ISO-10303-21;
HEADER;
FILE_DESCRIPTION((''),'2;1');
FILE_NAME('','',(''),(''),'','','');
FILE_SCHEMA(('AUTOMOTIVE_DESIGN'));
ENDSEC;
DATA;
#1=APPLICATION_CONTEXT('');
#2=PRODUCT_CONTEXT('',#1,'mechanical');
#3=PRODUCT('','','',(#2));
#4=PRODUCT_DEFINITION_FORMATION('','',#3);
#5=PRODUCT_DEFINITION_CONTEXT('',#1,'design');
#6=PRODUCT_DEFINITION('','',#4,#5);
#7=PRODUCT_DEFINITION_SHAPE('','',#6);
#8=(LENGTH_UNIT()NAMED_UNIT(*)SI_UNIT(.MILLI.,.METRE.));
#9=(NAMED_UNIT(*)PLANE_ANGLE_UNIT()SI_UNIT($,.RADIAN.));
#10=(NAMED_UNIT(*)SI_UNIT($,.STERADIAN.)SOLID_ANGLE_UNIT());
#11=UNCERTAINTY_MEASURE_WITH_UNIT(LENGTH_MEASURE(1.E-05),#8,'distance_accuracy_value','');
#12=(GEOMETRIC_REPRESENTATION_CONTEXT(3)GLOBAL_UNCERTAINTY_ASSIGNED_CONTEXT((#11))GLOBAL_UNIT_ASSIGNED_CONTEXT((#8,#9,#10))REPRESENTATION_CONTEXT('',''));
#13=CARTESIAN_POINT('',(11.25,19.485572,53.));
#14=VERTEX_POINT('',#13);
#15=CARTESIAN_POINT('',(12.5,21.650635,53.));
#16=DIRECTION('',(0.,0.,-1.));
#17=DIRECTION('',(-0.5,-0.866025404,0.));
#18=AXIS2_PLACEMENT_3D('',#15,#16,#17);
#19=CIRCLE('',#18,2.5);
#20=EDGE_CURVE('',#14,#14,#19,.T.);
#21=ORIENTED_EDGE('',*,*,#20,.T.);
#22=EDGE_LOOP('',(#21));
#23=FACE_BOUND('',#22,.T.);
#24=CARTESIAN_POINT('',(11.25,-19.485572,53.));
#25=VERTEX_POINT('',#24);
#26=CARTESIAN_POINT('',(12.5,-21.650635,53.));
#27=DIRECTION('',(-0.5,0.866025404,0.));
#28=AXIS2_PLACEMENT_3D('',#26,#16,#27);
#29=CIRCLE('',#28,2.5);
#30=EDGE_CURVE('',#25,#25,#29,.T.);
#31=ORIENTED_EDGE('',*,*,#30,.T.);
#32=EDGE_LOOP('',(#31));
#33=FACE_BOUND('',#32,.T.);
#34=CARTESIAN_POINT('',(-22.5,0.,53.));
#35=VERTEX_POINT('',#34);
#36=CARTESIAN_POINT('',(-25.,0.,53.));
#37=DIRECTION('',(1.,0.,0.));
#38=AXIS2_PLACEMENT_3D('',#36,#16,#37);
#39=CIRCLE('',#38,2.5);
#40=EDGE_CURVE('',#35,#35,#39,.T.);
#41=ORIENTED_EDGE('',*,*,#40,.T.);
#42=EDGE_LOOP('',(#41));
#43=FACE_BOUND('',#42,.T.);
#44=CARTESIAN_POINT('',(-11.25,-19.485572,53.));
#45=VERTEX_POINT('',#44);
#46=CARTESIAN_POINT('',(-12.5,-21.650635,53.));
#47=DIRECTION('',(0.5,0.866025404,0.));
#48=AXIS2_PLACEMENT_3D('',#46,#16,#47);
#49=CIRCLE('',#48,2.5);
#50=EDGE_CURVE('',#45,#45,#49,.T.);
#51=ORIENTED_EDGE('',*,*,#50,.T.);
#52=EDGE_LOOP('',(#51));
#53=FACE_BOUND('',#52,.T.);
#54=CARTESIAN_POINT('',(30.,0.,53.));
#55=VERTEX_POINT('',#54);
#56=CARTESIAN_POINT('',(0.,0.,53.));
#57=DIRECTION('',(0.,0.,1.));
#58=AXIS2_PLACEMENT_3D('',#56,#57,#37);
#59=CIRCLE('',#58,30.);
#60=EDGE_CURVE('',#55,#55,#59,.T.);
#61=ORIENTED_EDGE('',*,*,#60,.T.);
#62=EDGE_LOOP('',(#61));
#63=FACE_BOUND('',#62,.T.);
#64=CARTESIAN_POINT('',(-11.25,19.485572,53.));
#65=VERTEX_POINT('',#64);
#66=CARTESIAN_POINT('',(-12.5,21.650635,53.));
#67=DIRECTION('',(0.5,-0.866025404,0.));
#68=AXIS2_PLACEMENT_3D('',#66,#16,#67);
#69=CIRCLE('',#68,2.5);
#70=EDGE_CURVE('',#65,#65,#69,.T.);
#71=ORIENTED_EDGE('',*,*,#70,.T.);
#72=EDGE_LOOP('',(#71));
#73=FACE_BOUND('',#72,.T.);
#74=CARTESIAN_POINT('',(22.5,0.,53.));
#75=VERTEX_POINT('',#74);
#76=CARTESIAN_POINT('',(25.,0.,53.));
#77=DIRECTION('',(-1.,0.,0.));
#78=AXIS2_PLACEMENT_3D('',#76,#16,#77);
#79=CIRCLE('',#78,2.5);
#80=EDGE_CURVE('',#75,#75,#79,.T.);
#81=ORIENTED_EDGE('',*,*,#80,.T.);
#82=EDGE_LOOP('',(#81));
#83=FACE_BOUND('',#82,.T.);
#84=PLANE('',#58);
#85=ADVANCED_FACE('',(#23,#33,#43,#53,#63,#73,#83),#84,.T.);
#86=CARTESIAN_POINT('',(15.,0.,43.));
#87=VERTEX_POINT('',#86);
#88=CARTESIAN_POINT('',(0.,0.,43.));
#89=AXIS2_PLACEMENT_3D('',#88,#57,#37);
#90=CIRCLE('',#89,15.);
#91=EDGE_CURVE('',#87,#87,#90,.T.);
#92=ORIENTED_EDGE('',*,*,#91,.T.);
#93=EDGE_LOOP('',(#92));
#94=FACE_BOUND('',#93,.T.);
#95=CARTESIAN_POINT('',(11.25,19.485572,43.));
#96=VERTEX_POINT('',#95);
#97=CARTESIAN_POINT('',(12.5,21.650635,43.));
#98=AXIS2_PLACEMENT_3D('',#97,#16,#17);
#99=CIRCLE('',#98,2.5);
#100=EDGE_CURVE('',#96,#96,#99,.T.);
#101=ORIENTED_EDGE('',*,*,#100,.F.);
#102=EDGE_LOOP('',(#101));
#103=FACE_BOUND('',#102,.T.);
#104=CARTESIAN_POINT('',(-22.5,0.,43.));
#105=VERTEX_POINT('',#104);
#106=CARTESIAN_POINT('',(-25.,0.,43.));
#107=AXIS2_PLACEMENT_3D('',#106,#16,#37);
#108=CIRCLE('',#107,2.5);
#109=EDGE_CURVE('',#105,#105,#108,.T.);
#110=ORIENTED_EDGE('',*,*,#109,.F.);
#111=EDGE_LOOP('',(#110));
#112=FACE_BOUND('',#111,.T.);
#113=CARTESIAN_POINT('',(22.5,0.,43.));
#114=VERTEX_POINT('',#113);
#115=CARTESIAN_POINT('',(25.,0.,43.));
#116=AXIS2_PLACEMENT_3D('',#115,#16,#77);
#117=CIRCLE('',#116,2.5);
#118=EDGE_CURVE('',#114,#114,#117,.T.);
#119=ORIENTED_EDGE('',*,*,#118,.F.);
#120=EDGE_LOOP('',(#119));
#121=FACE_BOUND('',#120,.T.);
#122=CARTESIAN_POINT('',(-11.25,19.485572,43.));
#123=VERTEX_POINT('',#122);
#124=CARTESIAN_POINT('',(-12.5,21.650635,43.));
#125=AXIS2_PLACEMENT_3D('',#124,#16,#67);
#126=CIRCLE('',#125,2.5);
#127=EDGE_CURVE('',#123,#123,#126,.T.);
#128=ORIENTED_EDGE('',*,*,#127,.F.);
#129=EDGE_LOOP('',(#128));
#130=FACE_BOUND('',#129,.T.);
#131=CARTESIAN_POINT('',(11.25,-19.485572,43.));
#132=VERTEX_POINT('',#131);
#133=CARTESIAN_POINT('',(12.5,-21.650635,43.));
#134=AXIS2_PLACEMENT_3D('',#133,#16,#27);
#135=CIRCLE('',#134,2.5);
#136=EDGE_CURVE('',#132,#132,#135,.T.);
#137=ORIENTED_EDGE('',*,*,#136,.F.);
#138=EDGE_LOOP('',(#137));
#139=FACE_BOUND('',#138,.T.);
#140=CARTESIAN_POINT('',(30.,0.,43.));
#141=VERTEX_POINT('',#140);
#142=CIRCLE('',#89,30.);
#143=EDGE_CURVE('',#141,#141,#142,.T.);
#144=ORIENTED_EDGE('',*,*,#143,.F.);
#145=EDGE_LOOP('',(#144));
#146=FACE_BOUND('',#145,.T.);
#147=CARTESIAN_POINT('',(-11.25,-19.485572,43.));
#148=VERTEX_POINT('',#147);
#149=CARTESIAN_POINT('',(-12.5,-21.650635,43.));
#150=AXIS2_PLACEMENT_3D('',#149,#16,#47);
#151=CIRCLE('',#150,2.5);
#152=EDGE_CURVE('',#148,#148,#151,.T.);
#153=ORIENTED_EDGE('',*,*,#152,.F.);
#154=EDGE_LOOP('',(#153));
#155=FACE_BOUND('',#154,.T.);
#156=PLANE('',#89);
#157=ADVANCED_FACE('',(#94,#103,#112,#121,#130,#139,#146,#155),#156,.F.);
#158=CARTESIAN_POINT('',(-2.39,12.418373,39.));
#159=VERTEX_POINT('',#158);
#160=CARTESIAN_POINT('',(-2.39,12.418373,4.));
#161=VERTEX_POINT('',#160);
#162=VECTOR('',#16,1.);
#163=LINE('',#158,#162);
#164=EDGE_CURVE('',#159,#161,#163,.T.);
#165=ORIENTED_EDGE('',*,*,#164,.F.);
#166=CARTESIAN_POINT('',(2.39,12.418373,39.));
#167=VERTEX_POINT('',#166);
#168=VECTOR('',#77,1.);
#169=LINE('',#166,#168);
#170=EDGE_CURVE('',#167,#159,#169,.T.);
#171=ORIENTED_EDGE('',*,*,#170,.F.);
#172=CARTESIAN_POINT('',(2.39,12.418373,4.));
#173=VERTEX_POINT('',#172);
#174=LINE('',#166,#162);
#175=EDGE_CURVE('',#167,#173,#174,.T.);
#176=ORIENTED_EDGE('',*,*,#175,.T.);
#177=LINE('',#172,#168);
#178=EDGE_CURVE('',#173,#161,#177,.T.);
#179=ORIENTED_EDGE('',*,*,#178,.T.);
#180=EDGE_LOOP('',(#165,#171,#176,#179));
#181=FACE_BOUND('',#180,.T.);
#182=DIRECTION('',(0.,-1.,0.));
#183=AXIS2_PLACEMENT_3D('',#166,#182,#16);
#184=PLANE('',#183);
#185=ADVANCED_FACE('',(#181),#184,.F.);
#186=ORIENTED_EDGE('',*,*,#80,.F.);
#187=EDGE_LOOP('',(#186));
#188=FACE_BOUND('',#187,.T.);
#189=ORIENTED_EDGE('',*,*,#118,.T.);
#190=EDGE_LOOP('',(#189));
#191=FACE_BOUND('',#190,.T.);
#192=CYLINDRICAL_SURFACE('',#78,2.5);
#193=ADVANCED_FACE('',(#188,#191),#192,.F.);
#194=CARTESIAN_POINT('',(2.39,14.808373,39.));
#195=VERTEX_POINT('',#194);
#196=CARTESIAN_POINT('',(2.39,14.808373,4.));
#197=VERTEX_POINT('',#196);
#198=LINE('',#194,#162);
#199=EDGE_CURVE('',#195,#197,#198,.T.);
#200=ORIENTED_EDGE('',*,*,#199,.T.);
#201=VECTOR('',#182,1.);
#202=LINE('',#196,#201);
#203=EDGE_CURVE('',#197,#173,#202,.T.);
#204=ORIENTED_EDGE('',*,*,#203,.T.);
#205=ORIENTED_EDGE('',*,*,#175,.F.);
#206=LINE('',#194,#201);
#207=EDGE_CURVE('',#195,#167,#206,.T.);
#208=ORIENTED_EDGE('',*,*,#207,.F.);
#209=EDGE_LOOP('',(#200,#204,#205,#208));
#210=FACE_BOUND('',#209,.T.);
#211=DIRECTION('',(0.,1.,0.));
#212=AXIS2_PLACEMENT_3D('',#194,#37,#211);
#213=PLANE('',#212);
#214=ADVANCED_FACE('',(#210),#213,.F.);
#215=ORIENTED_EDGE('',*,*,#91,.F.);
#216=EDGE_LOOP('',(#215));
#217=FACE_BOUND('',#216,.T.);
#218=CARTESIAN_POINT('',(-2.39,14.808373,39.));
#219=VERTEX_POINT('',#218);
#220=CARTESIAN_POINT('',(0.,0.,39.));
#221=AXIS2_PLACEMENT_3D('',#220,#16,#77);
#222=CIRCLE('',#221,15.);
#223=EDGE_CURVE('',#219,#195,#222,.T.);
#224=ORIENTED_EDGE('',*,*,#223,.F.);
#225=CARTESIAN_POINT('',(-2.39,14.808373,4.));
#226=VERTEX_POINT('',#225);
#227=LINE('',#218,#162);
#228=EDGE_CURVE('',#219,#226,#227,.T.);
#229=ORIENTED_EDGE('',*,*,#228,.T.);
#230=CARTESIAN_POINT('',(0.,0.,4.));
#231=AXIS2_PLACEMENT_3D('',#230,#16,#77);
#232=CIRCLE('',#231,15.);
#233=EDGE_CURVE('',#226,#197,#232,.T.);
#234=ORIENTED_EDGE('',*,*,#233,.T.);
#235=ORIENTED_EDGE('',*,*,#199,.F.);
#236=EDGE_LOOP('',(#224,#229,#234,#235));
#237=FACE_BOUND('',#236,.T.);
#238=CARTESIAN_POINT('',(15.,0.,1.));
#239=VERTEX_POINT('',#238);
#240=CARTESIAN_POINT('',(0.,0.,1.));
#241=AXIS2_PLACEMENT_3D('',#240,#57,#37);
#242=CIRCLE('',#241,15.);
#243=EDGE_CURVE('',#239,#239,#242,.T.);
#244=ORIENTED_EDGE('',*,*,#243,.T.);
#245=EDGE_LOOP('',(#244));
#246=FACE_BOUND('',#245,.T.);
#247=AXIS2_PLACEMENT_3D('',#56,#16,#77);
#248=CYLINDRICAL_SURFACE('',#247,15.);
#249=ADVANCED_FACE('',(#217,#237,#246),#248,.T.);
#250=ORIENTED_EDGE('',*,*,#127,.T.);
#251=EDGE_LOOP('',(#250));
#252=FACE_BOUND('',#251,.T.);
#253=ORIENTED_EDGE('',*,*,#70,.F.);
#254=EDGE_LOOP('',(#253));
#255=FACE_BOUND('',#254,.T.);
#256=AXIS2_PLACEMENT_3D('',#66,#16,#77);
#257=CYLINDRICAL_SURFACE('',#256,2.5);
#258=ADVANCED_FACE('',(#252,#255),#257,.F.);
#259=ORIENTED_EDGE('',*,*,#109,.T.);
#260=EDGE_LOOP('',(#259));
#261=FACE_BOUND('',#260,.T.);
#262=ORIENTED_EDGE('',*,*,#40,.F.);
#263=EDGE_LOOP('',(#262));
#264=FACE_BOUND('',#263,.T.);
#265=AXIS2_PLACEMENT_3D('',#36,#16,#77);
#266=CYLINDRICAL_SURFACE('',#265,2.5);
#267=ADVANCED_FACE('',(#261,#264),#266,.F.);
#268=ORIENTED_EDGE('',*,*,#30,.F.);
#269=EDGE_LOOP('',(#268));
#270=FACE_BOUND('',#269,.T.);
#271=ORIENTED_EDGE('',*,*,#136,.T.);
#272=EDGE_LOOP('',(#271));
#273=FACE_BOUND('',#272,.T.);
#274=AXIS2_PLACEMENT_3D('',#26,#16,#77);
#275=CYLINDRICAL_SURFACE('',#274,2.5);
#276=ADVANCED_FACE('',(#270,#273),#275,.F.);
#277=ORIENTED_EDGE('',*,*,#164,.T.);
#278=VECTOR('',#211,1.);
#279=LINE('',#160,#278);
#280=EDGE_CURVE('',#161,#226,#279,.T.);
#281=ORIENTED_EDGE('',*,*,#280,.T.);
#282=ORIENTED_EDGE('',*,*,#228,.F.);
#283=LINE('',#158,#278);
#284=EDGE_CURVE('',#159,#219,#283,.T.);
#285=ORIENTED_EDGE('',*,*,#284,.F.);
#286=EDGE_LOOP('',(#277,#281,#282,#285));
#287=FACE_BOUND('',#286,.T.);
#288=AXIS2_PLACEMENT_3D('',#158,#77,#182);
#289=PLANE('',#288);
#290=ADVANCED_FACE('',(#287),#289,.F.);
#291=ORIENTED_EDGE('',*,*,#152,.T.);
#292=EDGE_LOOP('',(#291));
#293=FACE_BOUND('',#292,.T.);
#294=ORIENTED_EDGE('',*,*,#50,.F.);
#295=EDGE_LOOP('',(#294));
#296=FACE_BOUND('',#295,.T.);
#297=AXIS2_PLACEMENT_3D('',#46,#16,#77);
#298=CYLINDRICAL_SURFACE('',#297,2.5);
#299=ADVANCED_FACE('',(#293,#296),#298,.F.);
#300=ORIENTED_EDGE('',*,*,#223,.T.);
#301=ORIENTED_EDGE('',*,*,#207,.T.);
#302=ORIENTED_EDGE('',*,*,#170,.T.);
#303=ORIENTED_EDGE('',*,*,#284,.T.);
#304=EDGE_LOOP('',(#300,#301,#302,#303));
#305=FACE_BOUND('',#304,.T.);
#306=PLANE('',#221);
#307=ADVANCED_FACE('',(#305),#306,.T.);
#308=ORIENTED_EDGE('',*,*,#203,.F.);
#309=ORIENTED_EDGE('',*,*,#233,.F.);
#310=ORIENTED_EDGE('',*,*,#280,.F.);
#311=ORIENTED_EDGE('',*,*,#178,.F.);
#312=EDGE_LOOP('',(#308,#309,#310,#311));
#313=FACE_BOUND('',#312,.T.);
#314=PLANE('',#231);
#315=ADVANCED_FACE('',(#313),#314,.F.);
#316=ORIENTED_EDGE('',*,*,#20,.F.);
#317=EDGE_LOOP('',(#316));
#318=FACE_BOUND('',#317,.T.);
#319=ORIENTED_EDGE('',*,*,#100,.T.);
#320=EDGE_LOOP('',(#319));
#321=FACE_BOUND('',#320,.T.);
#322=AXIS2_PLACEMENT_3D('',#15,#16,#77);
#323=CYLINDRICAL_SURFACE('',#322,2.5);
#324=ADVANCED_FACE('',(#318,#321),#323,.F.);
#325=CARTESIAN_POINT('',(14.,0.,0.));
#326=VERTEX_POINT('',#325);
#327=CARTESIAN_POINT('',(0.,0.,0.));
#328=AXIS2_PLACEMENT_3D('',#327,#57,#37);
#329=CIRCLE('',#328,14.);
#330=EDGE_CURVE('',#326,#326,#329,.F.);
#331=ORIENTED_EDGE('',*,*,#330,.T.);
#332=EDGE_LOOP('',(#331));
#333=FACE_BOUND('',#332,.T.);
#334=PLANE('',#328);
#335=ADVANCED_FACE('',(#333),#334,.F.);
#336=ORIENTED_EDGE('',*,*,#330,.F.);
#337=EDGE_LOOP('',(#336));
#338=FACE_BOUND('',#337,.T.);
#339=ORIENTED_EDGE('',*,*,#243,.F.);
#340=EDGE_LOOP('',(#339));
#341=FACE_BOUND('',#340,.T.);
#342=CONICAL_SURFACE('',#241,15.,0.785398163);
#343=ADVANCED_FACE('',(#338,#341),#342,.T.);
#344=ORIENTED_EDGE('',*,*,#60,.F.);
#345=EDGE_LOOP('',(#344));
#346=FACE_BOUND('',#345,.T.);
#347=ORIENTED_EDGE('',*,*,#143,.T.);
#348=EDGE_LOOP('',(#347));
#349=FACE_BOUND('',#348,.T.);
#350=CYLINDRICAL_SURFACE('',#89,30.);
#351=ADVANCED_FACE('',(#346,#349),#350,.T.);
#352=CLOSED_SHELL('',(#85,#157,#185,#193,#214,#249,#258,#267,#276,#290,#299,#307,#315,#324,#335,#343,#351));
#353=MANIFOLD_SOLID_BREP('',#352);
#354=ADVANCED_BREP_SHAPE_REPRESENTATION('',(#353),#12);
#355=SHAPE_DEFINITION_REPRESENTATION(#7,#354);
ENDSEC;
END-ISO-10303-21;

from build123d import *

# Parameters (mm, degrees)
SZKIC1_R                    = 15
DODANIE_WYCI_GNI_CIE1_DEPTH = 53
SFAZOWANIE1_SIZE            = 1
WYTNIJ_WYCI_GNI_CIE1_DEPTH  = 35
SZKIC3_R                    = 30
DODANIE_WYCI_GNI_CIE2_DEPTH = 10
SZKIC4_R                    = 2.5
WYTNIJ_WYCI_GNI_CIE2_DEPTH  = 61.406953242
SZYK_KO_OWY1_COUNT          = 6


with BuildPart() as part:
    # Szkic1 → Dodanie-wyciągnięcie1 (new body)
    with BuildSketch(Plane.XY):
        Circle(SZKIC1_R)
    extrude(amount=DODANIE_WYCI_GNI_CIE1_DEPTH)

    # Sfazowanie1
    sfazowanie1_edges = [part.edges().sort_by_distance(p)[0] for p in [
        (-15, 0, 0),
    ]]
    chamfer(sfazowanie1_edges, length=SFAZOWANIE1_SIZE)

    # Szkic2 → Wytnij-wyciągnięcie1 (cut)
    with BuildSketch(Plane(origin=(0, 0, 4), x_dir=(-1, 0, 0), z_dir=(0, 0, -1))):
        with BuildLine():
            Line((-2.39, 14.808372632), (-2.39, 12.418372632))
            Line((-2.39, 12.418372632), (2.39, 12.418372632))
            Line((2.39, 12.418372632), (2.39, 14.808372632))
            ThreePointArc((2.39, 14.808372632), (0, 15), (-2.39, 14.808372632))
        make_face()
    extrude(amount=-WYTNIJ_WYCI_GNI_CIE1_DEPTH, mode=Mode.SUBTRACT)

    # Szkic3 → Dodanie-wyciągnięcie2 (add)
    with BuildSketch(Plane.XY.offset(53)):
        Circle(SZKIC3_R)
    extrude(amount=-DODANIE_WYCI_GNI_CIE2_DEPTH)

    # Szkic4 → Wytnij-wyciągnięcie2 (cut, through all)
    with BuildSketch(Plane(origin=(0, 0, 43), x_dir=(-1, 0, 0), z_dir=(0, 0, -1))):
        with Locations((-25, 0)):
            Circle(SZKIC4_R)
    wytnij_wyci_gni_cie2 = extrude(amount=-WYTNIJ_WYCI_GNI_CIE2_DEPTH, mode=Mode.SUBTRACT)

    # Szyk kołowy1: Wytnij-wyciągnięcie2 ×6 about axis
    szyk_ko_owy1_axis = Axis((0, 0, 0), (0, 0, 1))
    for i in range(1, SZYK_KO_OWY1_COUNT):
        add(wytnij_wyci_gni_cie2.rotate(szyk_ko_owy1_axis, i * 360 / SZYK_KO_OWY1_COUNT), mode=Mode.SUBTRACT)


solid = part.part
